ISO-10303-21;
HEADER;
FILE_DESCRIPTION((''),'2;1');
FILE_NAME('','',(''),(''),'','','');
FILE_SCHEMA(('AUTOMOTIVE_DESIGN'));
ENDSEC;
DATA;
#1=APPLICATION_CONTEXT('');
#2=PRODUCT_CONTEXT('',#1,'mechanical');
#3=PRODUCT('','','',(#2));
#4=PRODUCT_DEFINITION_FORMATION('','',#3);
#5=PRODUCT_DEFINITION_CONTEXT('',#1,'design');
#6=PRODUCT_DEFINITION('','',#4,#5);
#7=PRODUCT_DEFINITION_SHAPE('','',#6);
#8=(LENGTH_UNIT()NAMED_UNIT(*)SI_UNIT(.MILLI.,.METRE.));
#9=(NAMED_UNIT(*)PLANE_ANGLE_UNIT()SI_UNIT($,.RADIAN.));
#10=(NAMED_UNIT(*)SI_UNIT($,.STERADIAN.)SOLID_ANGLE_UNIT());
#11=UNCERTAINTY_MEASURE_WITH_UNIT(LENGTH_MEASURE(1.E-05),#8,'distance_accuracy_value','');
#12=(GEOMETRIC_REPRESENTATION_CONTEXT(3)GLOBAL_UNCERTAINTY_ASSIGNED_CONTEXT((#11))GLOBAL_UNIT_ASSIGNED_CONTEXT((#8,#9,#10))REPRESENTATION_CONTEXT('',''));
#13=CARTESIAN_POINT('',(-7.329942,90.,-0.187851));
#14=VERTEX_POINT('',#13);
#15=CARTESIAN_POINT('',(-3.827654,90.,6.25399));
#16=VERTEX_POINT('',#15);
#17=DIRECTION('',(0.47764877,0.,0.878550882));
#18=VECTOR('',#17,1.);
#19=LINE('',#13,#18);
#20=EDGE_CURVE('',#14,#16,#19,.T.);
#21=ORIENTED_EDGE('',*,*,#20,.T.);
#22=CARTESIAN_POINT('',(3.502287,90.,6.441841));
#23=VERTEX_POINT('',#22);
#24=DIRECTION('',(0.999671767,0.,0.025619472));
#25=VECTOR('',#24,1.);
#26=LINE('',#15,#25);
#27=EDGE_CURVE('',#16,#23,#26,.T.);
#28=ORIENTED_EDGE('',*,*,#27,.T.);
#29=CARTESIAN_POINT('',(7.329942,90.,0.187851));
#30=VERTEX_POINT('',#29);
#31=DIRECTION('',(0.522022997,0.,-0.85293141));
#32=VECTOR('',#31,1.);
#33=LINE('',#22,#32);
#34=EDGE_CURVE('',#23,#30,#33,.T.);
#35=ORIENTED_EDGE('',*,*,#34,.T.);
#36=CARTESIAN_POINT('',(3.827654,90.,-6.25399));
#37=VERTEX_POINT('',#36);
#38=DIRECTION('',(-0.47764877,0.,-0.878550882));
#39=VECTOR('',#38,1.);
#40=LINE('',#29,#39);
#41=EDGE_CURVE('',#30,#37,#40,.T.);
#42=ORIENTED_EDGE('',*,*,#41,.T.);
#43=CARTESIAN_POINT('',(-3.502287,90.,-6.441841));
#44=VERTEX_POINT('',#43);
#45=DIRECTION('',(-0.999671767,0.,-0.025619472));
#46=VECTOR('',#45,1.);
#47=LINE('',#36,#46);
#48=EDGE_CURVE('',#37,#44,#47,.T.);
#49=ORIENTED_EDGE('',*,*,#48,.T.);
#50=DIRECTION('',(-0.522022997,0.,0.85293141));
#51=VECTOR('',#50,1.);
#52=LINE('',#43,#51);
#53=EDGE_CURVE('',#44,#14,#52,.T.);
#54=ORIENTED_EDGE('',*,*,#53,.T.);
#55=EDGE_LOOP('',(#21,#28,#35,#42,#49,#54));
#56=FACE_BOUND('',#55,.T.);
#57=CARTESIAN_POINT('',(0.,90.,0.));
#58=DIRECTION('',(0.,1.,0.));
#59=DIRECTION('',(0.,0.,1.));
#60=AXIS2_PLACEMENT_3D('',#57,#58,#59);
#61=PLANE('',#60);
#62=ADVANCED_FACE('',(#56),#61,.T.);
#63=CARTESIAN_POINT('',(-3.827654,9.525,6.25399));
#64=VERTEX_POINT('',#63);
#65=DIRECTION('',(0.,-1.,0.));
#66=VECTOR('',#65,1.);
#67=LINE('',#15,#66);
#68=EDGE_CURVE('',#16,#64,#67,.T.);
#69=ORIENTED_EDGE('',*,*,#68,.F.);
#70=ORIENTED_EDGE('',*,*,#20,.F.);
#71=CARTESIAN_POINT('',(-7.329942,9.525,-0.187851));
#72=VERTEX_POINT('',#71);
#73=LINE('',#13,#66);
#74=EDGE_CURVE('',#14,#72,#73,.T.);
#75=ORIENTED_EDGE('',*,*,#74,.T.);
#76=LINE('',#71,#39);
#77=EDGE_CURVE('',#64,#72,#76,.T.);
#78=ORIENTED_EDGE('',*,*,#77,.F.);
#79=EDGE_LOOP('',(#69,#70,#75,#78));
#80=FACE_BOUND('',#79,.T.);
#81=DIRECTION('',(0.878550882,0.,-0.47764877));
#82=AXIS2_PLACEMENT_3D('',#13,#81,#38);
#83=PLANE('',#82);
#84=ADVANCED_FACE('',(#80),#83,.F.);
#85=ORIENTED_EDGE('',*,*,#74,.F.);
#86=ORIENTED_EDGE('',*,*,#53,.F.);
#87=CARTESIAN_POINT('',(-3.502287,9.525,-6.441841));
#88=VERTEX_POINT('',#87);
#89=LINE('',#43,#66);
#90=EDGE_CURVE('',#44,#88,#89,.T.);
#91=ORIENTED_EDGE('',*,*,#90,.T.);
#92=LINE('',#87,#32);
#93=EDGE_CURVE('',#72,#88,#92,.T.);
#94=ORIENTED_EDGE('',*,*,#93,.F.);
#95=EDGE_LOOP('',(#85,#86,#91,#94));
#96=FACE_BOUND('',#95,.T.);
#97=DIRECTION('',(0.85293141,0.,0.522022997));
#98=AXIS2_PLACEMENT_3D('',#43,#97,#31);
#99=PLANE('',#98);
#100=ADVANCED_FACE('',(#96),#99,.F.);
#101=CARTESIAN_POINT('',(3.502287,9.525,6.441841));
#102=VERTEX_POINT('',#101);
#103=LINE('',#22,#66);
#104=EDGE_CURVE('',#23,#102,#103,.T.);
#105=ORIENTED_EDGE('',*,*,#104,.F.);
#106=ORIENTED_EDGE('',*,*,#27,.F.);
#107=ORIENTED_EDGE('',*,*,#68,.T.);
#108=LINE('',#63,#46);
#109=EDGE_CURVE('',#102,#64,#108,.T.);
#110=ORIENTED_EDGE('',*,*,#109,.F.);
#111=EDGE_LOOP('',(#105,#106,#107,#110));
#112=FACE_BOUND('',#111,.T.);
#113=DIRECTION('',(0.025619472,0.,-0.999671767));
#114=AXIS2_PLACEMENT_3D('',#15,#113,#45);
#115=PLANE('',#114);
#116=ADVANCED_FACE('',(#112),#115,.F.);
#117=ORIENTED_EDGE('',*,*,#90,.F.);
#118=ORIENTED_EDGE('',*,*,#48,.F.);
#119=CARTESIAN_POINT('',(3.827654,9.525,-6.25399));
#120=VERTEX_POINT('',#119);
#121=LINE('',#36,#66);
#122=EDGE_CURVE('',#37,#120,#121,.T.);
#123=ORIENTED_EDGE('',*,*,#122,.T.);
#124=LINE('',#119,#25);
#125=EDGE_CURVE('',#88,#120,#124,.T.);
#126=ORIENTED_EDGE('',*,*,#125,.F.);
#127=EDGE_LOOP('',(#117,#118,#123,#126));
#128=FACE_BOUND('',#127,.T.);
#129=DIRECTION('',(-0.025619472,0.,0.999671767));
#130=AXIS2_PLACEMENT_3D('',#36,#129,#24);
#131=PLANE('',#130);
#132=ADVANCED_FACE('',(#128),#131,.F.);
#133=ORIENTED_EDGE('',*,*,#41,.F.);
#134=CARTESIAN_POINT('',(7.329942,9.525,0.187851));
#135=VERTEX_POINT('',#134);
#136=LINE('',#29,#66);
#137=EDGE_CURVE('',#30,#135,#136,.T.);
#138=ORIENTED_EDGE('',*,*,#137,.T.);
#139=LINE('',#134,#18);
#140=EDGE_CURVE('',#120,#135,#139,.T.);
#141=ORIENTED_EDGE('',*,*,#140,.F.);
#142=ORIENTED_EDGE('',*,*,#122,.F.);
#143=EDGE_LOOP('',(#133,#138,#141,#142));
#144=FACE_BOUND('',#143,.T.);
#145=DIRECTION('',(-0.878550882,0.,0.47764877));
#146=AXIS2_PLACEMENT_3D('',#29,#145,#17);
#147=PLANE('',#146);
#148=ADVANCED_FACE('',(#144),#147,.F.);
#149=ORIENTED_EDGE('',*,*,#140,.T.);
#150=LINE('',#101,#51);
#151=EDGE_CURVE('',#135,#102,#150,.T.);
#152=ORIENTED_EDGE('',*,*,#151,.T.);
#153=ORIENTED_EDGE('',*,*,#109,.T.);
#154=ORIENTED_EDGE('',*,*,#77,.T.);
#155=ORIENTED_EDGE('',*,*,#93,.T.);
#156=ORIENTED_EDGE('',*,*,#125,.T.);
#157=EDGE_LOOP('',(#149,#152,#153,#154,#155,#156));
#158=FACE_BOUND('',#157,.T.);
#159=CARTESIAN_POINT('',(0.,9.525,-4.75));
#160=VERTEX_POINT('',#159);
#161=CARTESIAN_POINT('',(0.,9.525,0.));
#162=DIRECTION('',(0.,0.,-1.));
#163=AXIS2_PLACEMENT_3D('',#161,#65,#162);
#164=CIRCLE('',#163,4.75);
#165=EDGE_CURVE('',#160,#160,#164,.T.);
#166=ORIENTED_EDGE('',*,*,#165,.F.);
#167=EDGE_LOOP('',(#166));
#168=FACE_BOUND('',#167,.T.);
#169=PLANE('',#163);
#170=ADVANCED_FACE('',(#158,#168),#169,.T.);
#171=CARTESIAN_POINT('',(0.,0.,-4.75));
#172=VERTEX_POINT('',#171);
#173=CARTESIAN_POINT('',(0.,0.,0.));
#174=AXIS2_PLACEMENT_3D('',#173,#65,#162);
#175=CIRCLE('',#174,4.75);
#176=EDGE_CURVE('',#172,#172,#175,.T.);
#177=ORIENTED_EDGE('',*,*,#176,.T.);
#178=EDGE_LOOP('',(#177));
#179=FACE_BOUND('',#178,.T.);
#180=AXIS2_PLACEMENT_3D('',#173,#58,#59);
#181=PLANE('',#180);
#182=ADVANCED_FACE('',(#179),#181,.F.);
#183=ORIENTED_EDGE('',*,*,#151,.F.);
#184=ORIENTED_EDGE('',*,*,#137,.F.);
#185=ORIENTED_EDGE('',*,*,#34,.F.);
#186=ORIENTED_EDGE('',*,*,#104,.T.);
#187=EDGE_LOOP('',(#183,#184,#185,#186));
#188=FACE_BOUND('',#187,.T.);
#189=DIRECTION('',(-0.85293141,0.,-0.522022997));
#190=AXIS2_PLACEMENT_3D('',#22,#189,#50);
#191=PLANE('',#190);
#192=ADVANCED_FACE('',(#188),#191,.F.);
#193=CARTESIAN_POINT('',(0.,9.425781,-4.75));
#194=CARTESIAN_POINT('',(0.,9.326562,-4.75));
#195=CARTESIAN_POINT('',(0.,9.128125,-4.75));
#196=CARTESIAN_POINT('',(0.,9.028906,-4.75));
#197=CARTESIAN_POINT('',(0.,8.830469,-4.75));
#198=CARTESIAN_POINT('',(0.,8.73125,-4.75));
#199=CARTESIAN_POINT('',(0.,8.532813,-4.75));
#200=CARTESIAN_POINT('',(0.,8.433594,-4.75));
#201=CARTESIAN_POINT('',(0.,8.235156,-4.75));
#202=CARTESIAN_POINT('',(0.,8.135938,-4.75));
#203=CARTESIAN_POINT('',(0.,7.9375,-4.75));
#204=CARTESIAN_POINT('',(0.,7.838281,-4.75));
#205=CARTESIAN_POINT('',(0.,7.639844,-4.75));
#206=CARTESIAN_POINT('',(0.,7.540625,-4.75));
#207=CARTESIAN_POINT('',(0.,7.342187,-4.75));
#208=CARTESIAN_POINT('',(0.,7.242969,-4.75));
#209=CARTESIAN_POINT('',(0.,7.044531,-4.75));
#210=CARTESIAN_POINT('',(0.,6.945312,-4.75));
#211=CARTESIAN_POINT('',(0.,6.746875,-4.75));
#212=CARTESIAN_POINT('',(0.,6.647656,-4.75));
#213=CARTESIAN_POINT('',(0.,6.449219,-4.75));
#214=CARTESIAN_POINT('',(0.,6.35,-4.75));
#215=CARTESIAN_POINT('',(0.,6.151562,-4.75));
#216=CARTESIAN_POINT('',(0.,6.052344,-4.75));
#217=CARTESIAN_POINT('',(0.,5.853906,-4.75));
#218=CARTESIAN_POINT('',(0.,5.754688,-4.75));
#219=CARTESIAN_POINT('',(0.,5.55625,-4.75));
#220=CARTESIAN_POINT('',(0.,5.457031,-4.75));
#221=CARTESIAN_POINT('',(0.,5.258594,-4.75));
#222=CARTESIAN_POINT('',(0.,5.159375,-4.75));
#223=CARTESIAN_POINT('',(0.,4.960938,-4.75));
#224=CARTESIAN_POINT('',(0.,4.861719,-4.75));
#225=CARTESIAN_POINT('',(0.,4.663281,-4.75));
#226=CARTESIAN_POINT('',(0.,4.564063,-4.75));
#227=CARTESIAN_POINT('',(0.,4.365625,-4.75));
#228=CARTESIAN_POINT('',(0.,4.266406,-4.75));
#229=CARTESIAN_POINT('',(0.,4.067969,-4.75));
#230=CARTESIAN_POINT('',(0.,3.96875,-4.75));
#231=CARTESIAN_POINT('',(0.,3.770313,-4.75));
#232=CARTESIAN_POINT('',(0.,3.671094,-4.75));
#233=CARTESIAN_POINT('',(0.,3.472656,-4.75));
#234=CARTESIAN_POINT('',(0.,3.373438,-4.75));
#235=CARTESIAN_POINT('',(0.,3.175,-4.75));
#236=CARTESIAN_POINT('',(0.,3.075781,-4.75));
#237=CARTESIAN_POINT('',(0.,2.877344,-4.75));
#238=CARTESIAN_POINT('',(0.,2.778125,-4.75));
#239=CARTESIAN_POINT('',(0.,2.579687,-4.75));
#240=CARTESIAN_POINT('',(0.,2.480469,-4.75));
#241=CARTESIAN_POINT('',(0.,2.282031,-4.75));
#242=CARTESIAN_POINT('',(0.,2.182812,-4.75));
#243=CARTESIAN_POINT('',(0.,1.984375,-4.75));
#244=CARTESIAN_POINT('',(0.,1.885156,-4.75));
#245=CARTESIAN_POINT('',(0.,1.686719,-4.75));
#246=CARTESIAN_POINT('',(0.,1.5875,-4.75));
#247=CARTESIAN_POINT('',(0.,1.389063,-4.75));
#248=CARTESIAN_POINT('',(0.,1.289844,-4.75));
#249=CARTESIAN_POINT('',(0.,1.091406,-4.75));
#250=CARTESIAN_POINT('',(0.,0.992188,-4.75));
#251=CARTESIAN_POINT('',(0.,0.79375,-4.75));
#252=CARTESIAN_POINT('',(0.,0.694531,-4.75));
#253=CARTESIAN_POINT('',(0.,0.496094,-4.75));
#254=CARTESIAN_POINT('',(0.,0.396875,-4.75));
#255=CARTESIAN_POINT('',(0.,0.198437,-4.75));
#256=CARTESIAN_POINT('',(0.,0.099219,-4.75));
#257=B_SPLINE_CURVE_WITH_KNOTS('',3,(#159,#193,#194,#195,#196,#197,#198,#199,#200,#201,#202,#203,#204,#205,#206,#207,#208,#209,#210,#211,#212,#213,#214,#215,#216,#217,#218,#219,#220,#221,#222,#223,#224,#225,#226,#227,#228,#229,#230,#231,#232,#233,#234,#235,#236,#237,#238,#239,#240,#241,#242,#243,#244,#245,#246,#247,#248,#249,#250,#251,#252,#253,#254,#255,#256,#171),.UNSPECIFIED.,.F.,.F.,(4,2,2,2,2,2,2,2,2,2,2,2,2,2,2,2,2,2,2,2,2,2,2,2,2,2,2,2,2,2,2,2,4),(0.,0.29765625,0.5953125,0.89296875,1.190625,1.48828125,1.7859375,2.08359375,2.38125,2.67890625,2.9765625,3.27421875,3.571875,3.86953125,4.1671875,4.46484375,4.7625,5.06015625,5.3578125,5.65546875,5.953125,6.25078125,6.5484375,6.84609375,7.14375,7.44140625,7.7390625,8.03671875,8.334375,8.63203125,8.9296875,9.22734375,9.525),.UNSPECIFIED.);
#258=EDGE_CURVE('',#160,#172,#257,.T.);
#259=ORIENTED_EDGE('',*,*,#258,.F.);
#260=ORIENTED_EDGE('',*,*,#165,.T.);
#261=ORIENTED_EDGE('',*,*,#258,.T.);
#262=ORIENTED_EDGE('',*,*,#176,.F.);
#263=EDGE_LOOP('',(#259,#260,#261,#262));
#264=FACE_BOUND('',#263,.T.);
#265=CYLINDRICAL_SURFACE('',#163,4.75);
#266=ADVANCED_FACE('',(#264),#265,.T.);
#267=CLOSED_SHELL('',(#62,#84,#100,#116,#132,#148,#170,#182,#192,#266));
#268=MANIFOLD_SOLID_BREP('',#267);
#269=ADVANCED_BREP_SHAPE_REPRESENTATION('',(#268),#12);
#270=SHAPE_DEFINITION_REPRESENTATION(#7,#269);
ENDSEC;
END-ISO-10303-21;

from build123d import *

# Parameters (mm, degrees)
SALIENTE_EXTRUIR1_DEPTH = 90
CROQUIS2_OUTSIDE_W      = 35.078
CROQUIS2_OUTSIDE_H      = 33.302
CROQUIS2_OUTSIDE_R      = 4.75
CORTAR_EXTRUIR1_DEPTH   = 9.525


with BuildPart() as part:
    # Croquis1 → Saliente-Extruir1 (new body)
    with BuildSketch(Plane(origin=(0, 0, 0), x_dir=(1, 0, 0), z_dir=(0, 1, 0))):
        Polygon((3.502287207, -6.44184117), (7.329941703, -0.187850892), (3.827654496, 6.253990277), (-3.502287207, 6.44184117), (-7.329941703, 0.187850892), (-3.827654496, -6.253990277), align=None)
    extrude(amount=SALIENTE_EXTRUIR1_DEPTH)

    # Croquis2 outside → Cortar-Extruir1 (cut)
    with BuildSketch(Plane.XZ):
        Rectangle(CROQUIS2_OUTSIDE_W, CROQUIS2_OUTSIDE_H)
        with Locations(Location((0, 0, 0), (0, 0, 270))):
            Circle(CROQUIS2_OUTSIDE_R, mode=Mode.SUBTRACT)
    extrude(amount=-CORTAR_EXTRUIR1_DEPTH, mode=Mode.SUBTRACT)


solid = part.part
